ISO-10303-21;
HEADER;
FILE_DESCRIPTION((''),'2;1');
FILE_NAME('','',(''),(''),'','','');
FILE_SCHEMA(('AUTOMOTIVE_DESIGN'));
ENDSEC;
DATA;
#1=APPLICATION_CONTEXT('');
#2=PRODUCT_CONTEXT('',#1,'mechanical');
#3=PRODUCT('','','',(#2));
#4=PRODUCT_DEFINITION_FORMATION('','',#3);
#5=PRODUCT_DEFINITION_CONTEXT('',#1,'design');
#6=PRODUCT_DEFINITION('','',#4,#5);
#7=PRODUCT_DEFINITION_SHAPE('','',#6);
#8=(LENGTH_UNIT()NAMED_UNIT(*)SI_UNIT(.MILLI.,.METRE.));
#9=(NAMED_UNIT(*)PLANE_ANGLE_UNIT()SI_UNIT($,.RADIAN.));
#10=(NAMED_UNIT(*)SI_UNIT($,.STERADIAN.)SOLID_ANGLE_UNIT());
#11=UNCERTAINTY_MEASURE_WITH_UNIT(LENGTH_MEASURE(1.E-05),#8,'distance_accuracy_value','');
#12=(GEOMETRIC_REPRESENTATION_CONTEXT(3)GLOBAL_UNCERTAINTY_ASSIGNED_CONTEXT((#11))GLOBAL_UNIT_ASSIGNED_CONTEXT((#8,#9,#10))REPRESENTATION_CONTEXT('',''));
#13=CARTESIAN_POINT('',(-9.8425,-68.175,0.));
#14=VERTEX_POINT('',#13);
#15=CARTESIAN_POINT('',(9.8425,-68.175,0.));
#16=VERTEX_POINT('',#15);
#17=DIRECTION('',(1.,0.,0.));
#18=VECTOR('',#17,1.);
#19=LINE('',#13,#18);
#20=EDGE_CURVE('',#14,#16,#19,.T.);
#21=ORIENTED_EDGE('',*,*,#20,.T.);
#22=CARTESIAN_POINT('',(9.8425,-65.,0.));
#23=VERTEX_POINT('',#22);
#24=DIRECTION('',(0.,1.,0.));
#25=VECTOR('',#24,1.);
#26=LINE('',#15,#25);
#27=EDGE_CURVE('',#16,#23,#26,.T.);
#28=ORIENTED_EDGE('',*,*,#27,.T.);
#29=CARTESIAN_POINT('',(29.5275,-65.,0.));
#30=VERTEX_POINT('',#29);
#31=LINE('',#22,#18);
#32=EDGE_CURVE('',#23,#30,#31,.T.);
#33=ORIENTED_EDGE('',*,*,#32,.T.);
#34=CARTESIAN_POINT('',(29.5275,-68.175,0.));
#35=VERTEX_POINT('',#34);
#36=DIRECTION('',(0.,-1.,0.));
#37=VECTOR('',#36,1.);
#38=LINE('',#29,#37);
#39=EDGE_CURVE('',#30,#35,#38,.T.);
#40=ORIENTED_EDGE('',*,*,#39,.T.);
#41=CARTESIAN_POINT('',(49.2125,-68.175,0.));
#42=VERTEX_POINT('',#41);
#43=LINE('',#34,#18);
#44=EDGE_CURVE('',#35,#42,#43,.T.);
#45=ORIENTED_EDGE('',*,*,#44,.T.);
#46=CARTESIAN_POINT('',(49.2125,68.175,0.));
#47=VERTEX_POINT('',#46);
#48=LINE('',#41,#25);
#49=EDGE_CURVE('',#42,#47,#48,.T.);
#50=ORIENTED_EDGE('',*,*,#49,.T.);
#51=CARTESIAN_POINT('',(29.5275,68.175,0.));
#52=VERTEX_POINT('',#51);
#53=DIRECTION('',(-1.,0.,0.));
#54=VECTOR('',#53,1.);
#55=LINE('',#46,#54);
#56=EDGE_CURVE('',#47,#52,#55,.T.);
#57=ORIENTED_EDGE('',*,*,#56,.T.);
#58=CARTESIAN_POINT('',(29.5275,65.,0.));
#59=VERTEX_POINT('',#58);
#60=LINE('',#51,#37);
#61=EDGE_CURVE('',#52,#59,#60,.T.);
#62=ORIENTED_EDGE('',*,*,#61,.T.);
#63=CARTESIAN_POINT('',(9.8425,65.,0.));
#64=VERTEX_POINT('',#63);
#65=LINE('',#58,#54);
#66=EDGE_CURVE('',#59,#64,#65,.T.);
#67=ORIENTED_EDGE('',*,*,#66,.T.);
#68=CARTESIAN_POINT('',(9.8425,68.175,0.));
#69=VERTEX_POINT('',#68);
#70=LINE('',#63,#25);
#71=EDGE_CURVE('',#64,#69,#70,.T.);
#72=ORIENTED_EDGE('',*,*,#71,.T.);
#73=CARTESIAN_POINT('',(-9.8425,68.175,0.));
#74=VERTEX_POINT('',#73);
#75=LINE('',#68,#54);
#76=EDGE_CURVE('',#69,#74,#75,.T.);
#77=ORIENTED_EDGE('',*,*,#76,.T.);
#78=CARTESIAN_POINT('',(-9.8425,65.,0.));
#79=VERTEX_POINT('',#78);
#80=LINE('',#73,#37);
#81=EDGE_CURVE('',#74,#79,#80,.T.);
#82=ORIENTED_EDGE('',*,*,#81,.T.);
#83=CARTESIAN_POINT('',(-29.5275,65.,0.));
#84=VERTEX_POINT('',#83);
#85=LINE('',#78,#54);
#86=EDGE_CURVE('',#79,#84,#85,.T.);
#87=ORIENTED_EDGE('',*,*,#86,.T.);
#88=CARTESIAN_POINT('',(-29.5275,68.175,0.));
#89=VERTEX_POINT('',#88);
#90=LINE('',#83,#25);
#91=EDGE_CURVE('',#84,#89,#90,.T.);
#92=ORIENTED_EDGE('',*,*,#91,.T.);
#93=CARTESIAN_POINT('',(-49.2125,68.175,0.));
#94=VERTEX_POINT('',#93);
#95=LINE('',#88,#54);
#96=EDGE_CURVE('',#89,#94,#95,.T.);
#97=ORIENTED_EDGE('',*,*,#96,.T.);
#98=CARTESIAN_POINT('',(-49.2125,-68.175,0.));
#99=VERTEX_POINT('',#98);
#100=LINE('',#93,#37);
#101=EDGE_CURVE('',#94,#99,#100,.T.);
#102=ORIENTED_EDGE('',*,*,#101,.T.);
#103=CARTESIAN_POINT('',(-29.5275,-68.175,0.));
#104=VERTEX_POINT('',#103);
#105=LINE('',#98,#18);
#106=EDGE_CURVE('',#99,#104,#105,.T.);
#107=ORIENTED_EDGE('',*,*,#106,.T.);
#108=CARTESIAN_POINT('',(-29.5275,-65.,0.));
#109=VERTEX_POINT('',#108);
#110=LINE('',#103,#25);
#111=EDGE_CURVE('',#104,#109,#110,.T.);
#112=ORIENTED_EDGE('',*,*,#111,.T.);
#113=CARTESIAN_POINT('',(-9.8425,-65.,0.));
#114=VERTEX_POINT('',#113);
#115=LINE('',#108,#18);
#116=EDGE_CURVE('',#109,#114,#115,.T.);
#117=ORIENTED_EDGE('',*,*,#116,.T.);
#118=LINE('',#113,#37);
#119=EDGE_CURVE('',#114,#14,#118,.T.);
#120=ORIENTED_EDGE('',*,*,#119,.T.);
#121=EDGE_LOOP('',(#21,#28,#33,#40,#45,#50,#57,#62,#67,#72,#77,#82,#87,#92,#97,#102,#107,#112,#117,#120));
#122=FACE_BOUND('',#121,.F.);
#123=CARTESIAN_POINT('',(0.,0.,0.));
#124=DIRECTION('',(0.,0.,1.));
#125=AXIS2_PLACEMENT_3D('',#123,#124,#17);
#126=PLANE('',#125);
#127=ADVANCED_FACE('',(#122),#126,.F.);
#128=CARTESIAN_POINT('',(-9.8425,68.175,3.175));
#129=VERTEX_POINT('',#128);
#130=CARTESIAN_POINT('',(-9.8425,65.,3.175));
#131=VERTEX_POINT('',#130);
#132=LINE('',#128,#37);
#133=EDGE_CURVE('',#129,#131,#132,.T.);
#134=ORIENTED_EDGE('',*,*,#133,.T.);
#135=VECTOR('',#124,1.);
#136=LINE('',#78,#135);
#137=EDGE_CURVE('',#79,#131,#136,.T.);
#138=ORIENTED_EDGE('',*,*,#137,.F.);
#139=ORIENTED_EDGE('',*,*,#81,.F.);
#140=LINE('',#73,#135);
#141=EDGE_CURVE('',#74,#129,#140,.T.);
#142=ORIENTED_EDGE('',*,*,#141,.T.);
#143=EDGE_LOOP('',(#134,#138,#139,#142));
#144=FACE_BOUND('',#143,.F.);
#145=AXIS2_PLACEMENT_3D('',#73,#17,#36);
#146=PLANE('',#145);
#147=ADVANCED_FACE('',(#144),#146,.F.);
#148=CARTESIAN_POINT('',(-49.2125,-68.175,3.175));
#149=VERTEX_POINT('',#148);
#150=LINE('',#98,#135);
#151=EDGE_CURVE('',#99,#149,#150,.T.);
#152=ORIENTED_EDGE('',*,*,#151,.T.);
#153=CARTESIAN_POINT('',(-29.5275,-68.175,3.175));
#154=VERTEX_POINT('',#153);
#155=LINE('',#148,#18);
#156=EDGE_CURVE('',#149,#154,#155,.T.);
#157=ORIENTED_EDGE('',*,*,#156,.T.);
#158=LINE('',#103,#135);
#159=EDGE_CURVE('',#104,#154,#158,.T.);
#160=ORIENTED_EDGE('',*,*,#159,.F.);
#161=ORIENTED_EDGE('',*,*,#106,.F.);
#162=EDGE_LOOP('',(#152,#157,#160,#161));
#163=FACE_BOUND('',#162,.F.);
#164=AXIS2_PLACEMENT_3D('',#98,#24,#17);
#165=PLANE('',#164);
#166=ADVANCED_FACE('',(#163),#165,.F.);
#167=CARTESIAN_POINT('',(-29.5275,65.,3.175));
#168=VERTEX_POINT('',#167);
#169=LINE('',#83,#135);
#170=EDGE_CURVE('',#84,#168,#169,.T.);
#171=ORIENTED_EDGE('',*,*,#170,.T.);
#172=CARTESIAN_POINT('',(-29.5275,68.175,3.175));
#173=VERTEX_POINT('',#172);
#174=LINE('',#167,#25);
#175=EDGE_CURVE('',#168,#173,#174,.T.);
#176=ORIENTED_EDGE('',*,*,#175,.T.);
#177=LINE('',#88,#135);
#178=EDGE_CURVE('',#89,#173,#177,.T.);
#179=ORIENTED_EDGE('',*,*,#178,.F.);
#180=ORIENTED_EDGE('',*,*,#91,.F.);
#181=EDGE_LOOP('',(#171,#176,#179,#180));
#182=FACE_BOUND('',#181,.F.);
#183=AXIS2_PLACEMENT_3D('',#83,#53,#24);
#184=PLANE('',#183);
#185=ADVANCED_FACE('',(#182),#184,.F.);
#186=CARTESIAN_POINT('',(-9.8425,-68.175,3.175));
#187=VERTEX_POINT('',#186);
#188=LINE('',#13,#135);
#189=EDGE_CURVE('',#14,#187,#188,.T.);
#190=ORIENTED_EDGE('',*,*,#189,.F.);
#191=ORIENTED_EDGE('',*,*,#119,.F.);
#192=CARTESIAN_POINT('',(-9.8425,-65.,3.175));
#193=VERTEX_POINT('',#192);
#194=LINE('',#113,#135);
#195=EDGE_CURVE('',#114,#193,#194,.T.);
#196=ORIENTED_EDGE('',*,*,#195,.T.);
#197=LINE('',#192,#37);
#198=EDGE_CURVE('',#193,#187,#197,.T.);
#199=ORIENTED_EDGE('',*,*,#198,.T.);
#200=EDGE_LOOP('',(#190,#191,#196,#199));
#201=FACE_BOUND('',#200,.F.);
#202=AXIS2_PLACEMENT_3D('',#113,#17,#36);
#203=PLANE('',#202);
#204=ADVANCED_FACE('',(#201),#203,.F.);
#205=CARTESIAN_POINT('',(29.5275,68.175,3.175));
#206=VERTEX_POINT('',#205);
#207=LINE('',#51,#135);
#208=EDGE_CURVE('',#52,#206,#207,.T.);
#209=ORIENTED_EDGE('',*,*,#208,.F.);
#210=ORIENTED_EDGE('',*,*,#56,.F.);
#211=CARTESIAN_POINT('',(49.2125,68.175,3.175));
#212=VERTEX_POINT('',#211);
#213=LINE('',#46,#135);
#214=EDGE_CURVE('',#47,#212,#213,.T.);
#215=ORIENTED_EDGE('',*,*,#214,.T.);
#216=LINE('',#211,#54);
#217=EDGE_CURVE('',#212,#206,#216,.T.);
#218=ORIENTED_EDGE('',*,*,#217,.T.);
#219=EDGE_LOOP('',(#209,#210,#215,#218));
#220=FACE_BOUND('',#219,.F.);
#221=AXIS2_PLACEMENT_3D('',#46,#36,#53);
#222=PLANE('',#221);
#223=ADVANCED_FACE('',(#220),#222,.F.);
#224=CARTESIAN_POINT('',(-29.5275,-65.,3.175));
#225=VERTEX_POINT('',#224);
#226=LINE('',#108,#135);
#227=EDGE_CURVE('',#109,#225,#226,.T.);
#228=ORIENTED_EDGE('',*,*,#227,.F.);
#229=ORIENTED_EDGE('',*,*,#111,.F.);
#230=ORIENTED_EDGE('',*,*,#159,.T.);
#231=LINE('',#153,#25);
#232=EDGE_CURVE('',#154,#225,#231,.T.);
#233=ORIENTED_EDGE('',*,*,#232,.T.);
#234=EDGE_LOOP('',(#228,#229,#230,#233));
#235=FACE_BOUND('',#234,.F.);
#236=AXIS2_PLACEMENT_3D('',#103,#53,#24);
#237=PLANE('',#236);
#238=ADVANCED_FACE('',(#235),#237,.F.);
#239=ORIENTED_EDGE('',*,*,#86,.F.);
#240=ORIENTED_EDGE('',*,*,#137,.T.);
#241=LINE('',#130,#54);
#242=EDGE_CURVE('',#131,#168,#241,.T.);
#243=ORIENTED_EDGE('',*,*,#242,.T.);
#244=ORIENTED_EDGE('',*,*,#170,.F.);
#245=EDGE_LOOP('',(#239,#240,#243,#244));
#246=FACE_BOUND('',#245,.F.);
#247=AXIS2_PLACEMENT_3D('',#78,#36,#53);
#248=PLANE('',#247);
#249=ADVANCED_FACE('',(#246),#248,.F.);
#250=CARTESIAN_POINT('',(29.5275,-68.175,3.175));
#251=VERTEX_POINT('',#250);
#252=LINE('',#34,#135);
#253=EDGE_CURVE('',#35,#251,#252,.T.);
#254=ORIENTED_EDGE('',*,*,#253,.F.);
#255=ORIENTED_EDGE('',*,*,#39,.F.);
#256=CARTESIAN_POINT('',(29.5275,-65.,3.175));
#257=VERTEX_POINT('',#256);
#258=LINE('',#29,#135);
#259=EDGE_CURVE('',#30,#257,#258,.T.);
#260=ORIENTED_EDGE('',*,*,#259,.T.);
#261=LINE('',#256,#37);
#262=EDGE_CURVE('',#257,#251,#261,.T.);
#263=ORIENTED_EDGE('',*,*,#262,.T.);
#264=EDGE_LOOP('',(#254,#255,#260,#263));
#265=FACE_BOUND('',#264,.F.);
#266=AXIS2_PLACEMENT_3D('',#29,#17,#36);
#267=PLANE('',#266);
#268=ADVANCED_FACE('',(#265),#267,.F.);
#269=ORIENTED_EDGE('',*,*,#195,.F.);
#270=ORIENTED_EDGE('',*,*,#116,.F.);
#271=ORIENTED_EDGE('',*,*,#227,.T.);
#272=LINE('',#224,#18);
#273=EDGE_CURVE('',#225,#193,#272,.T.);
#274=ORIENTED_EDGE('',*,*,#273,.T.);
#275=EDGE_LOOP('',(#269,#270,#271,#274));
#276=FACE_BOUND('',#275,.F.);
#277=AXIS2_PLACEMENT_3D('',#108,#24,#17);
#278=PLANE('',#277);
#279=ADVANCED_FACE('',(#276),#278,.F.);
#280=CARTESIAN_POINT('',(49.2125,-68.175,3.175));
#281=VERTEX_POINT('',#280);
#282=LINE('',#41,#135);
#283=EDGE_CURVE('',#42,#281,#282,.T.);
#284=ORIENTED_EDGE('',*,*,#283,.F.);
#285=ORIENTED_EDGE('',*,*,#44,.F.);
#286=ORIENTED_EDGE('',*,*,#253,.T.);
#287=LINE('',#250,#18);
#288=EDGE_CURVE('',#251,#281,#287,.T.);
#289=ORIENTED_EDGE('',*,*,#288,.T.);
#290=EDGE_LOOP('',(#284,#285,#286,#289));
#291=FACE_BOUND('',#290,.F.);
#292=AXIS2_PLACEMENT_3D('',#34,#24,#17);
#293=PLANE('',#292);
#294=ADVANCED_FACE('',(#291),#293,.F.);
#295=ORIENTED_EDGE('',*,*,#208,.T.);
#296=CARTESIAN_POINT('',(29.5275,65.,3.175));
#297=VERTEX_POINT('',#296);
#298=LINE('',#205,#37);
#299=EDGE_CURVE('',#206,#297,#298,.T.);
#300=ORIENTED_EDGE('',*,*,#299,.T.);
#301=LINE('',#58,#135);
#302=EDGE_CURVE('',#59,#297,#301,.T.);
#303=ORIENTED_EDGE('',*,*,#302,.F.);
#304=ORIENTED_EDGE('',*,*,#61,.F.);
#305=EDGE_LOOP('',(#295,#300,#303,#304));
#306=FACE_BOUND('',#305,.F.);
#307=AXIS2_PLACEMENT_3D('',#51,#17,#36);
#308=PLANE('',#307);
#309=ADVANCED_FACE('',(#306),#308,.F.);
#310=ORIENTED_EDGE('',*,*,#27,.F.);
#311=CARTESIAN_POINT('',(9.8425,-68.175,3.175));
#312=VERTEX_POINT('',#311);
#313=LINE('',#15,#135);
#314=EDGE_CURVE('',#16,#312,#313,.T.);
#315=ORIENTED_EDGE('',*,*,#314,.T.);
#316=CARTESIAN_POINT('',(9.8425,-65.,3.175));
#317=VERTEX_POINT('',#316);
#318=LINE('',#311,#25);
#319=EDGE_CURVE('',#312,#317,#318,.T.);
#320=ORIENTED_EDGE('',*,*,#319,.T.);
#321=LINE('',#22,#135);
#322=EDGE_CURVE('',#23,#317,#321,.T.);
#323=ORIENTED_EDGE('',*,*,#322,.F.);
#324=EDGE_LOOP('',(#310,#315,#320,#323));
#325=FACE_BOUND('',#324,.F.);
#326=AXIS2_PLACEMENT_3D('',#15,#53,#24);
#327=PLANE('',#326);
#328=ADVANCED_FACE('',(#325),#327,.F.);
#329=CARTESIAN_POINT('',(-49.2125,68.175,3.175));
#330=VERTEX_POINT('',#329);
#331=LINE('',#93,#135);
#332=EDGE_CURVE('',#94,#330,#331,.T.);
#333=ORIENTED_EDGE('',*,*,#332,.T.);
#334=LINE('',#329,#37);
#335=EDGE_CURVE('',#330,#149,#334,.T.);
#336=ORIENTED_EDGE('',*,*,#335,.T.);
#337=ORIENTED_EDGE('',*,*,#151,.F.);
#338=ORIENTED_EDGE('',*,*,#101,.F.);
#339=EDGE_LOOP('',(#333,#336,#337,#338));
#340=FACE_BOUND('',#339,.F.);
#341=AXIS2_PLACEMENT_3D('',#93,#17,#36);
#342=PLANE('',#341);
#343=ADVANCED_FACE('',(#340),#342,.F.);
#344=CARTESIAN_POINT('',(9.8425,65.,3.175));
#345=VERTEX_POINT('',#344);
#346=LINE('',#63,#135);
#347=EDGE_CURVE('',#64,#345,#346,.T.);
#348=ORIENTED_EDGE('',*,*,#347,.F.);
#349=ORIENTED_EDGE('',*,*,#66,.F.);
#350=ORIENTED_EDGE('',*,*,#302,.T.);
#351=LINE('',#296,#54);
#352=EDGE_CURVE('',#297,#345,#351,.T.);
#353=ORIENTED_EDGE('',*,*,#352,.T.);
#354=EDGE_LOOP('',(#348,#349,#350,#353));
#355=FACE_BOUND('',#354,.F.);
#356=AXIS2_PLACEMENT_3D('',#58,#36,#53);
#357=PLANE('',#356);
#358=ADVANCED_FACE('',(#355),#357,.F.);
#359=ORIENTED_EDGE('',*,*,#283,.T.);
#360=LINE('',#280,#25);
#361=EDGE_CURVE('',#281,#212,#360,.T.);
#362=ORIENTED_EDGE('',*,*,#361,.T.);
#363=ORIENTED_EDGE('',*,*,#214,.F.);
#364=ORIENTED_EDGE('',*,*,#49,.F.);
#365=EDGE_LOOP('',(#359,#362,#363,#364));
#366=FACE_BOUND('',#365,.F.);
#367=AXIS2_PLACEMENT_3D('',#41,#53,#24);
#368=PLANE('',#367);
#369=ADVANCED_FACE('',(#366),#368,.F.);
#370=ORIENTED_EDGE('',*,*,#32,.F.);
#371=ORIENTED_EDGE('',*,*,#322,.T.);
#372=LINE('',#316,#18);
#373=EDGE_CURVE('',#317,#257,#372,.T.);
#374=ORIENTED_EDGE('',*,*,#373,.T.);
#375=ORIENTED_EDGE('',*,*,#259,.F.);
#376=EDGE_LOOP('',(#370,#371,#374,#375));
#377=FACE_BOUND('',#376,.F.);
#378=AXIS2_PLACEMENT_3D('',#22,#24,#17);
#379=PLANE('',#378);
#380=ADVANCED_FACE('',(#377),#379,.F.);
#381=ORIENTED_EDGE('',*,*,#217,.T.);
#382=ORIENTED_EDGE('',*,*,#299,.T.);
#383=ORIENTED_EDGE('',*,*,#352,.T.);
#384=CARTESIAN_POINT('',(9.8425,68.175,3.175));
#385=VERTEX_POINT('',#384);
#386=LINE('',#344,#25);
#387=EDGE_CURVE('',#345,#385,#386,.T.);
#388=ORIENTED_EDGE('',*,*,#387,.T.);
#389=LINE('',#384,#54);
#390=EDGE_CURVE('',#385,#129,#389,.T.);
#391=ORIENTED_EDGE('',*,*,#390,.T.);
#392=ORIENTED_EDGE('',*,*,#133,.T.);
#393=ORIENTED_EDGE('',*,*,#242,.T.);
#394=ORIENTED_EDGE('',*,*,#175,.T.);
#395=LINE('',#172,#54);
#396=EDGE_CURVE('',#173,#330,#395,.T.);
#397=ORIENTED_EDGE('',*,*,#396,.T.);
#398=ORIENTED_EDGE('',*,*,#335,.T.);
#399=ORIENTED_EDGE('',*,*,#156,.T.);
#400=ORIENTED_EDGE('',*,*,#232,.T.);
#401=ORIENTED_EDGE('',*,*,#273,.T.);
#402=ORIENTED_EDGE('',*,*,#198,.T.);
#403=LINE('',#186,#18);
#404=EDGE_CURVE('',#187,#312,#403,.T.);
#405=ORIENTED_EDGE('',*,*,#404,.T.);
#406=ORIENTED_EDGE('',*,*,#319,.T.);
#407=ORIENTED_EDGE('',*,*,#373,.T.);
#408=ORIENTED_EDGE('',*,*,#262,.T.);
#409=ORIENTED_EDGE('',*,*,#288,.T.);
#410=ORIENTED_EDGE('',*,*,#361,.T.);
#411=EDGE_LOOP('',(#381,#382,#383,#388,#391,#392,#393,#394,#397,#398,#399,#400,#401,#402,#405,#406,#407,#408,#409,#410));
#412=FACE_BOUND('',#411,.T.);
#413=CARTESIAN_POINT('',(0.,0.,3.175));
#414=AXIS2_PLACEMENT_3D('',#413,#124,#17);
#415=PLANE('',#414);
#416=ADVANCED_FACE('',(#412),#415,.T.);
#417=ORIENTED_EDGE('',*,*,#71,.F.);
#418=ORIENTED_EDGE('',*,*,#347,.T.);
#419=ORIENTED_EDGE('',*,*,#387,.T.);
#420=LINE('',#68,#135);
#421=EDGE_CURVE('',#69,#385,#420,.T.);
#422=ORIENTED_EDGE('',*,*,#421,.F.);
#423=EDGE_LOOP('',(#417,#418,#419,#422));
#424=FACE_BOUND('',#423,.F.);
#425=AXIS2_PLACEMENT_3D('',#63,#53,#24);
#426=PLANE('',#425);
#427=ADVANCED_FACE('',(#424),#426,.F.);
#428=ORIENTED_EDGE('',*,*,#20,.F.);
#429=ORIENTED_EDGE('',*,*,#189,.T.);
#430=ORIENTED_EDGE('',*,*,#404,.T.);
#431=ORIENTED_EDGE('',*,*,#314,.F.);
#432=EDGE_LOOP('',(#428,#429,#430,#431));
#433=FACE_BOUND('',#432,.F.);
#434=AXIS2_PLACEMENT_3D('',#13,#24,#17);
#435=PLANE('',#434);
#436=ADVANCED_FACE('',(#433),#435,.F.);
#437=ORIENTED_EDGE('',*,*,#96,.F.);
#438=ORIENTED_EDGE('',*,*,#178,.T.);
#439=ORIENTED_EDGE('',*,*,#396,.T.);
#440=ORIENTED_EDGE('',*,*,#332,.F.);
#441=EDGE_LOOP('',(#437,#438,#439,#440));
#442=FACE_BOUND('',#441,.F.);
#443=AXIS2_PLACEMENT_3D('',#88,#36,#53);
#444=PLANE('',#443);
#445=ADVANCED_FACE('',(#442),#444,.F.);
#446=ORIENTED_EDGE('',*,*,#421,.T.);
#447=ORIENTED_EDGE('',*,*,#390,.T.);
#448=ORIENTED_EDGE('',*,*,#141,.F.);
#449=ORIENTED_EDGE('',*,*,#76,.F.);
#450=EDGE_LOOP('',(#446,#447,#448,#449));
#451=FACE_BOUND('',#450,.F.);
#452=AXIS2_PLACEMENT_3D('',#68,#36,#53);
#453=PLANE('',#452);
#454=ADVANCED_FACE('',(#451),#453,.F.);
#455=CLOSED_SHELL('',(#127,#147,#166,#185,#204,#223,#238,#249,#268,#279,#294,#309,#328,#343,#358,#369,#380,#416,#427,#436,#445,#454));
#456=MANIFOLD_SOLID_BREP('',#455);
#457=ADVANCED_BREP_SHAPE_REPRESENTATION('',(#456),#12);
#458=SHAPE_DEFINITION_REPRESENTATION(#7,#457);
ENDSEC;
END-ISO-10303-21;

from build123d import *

# Parameters (mm, degrees)
F1_DEPTH = 3.175


with BuildPart() as f1:
    # F0 (on Top) → F1 (new body)
    with BuildSketch(Plane.XY):
        Polygon((49.2125, -68.175), (49.2125, -65), (49.2125, 65), (49.2125, 68.175), (29.5275, 68.175), (29.5275, 65), (9.8425, 65), (9.8425, 68.175), (-9.8425, 68.175), (-9.8425, 65), (-29.5275, 65), (-29.5275, 68.175), (-49.2125, 68.175), (-49.2125, 65), (-49.2125, -65), (-49.2125, -68.175), (-29.5275, -68.175), (-29.5275, -65), (-9.8425, -65), (-9.8425, -68.175), (9.8425, -68.175), (9.8425, -65), (29.5275, -65), (29.5275, -68.175), align=None)
    extrude(amount=F1_DEPTH)


solid = f1.part
